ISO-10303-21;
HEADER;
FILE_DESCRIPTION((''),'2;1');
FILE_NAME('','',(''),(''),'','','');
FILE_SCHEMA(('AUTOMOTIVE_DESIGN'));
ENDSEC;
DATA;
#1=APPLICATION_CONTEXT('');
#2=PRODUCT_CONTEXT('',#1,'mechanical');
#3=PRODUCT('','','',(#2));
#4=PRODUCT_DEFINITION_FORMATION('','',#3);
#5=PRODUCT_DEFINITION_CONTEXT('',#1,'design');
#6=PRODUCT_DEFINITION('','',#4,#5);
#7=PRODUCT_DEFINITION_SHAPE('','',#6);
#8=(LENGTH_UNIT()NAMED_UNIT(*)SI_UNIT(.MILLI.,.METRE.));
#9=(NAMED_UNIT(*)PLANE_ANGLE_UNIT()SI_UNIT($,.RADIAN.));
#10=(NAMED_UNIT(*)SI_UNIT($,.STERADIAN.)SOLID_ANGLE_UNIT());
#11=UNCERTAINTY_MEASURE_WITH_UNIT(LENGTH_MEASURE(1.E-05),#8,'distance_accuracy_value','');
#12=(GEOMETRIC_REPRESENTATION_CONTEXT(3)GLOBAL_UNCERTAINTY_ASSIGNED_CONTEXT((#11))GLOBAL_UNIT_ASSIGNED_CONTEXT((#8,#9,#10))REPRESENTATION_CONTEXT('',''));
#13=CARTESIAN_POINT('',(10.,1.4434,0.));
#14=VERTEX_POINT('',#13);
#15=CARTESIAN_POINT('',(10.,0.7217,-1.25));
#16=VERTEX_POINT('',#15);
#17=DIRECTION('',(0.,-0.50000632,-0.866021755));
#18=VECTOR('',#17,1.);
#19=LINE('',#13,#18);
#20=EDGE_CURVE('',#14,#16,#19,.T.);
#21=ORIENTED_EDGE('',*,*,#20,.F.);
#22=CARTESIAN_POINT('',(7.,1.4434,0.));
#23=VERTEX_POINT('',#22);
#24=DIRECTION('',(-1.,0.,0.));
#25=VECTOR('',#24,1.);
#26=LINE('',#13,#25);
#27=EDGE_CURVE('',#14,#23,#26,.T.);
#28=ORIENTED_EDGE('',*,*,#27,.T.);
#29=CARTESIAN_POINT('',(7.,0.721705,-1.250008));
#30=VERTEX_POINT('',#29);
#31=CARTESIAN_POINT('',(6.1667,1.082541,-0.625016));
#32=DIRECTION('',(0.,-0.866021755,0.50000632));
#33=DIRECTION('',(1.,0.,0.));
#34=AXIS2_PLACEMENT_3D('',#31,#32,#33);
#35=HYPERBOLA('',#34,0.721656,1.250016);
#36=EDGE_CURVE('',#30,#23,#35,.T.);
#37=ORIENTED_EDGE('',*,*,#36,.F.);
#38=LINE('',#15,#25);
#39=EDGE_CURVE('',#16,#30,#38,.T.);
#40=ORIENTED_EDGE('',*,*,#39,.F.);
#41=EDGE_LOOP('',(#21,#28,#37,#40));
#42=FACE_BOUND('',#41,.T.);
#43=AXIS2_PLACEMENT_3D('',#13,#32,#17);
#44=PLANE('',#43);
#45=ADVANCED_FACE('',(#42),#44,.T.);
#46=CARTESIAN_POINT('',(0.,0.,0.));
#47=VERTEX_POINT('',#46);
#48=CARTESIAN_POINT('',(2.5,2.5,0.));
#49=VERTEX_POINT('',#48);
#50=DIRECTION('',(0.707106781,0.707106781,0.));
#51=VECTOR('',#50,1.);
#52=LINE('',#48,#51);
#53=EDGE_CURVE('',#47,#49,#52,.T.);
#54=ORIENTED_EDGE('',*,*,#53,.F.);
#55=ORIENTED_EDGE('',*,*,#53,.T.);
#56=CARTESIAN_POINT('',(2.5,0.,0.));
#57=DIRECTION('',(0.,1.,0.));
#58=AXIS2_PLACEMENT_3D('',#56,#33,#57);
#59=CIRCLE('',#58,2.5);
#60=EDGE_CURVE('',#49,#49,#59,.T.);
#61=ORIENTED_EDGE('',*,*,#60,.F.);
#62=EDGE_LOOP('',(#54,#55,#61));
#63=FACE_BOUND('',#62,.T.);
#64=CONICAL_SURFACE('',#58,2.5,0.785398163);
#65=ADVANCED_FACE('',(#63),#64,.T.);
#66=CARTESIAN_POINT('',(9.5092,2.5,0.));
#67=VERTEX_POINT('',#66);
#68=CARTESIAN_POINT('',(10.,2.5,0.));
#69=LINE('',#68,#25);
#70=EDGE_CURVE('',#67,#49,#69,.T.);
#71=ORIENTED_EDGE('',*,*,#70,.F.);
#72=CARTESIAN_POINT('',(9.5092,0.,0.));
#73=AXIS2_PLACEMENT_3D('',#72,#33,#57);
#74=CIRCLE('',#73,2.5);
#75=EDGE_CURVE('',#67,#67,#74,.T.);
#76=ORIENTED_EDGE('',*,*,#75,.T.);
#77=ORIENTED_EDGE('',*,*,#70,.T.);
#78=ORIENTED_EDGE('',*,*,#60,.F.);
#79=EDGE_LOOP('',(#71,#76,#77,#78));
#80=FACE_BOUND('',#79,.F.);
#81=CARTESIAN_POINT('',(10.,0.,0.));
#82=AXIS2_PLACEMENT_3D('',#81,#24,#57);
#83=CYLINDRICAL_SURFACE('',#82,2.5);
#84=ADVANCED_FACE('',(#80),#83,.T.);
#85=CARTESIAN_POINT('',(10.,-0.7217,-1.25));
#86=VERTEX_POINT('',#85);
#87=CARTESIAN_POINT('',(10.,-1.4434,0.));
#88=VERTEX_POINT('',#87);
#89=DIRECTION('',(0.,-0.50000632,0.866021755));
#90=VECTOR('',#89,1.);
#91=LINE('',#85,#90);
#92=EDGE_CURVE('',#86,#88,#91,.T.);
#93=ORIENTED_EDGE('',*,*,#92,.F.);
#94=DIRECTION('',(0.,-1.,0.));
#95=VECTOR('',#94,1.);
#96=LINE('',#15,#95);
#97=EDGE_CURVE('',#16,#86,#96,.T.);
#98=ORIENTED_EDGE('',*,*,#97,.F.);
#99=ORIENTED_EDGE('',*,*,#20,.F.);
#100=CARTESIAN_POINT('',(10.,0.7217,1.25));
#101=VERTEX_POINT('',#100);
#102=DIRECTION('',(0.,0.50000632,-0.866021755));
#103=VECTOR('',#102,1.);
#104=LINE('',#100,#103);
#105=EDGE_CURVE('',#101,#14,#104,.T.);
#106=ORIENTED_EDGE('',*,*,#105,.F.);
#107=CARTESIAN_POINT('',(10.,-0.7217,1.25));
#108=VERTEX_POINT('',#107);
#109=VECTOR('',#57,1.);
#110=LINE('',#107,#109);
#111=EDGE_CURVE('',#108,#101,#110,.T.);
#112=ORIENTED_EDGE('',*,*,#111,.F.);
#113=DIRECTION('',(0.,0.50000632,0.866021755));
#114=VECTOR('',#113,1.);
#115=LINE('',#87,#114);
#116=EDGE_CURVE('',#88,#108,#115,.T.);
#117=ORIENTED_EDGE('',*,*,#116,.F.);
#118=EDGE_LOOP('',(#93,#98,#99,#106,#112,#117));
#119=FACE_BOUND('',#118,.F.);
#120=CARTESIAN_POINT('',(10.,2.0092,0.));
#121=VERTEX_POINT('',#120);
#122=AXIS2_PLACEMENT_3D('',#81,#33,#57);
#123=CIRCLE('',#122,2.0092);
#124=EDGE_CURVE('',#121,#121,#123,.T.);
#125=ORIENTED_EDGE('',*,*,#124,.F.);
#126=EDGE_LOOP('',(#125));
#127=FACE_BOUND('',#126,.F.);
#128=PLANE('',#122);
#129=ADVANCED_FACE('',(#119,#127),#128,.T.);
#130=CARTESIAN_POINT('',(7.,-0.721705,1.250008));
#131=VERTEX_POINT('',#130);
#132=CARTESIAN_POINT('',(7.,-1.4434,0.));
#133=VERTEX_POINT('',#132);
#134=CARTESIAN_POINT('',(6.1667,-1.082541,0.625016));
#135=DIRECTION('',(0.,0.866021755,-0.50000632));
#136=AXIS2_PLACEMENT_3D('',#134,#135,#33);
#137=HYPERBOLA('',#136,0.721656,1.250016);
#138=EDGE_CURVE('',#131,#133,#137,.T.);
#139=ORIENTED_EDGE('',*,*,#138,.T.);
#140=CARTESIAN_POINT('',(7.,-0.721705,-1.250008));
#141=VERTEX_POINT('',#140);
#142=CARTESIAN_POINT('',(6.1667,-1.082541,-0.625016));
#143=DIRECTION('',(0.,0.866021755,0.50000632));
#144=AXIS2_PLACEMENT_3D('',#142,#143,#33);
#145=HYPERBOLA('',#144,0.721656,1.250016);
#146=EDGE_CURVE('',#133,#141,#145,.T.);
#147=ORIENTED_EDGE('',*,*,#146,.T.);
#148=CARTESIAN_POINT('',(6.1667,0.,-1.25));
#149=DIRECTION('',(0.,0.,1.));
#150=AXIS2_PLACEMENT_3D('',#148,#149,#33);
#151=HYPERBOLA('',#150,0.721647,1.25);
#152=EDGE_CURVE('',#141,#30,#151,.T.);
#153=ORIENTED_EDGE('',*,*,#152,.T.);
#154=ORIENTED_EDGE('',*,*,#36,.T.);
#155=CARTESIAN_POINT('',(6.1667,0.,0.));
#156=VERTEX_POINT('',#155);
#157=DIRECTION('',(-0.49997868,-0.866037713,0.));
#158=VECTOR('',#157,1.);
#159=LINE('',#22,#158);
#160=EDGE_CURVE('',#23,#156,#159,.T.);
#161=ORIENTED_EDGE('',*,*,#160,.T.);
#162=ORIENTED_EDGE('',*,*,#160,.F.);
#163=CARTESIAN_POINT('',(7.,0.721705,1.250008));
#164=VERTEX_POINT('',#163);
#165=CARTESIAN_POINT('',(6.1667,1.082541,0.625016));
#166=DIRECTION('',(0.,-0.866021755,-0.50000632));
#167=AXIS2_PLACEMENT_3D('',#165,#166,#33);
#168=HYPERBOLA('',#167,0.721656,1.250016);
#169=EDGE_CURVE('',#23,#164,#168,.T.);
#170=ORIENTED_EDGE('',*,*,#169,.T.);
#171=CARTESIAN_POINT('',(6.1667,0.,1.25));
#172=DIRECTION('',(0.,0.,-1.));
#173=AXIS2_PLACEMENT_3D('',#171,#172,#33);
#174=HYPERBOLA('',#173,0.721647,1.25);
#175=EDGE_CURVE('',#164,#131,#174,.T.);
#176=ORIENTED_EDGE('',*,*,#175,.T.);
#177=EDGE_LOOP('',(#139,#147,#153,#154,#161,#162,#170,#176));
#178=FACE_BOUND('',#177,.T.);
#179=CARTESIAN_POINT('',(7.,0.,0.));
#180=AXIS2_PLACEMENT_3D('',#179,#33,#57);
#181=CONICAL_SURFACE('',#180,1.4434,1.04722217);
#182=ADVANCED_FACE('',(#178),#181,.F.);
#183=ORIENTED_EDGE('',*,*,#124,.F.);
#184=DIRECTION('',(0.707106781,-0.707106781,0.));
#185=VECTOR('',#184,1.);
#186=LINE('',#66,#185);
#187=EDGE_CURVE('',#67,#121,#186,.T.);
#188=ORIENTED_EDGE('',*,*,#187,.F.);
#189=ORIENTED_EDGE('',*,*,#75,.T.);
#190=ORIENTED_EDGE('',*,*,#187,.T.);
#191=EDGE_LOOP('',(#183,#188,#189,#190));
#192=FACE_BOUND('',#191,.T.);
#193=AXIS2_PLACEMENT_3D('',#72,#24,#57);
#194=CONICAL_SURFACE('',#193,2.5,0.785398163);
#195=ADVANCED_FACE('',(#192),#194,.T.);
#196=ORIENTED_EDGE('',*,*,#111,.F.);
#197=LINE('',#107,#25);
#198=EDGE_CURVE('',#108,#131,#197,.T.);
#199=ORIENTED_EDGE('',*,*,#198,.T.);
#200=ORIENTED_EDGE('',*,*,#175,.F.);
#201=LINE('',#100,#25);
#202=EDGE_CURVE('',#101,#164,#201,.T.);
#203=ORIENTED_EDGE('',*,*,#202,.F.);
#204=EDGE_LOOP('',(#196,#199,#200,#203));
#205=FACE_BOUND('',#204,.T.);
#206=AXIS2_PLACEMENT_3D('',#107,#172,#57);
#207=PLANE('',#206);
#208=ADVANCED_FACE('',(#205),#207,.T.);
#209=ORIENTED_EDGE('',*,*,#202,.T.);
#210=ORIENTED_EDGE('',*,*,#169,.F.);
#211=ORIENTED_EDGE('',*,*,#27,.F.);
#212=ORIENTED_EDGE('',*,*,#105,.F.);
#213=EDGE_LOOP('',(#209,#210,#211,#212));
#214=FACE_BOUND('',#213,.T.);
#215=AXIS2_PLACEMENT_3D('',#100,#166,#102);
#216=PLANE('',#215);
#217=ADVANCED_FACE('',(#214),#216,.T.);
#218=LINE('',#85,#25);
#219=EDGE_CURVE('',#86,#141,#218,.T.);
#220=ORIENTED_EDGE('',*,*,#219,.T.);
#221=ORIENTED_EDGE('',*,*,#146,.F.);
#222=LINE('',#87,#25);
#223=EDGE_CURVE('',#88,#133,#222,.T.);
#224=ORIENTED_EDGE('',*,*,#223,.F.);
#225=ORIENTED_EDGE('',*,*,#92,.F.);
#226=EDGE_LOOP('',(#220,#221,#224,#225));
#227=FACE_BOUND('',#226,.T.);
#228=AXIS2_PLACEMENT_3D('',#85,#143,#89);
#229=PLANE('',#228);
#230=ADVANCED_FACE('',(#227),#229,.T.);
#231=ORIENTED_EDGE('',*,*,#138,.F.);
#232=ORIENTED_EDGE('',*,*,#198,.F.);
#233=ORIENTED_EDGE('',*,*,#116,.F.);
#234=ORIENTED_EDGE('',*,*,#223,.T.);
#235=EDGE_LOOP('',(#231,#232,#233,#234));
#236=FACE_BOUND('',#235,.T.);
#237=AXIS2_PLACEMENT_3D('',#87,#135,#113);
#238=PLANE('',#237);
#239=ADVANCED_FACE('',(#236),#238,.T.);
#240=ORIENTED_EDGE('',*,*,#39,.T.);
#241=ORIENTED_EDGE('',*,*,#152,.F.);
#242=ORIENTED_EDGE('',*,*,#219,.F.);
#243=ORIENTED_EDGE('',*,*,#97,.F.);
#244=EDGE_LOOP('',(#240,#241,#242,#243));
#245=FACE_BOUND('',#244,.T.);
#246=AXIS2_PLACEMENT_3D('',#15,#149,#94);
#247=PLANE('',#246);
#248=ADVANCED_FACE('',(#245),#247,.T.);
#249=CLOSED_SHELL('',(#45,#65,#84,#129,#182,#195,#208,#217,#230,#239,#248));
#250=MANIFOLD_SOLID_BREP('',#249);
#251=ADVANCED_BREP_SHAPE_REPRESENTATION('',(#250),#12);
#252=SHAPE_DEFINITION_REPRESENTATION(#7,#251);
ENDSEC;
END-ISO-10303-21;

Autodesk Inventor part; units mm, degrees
ref_plane "YZ Plane" through (0, 0, 0) normal (1, 0, 0) x (0, 1, 0)
ref_plane "XZ Plane" through (0, 0, 0) normal (0, 1, 0) x (-1, 0, 0)
sketch "Sketch1" plane through (0, 0, 0) normal (0, 0, 1) x (1, 0, 0)
  line L0 (0, 0) -> (6.1667, 0)
  line L1 (10, 1.4434) -> (10, 2.5)
  line L2 (10, 2.5) -> (0, 2.5)
  line L3 (10, 1.4434) -> (7, 1.4434)
  line L4 (7, 1.4434) -> (6.1667, 0)
  line L5 (0, -0.5) -> (0, 3) projected
  line L6 (0, 2.5) -> (0, 0)
  dimension "d0" = 3
  dimension "d1" = 60
  dimension "d2" = 5
  dimension "d3" = 2.8868
  dimension "d5" = 10
revolve "Body" add sketch "Sketch1" angle 360 about axis through (0, 0, 0) along (1, 0, 0)
sketch "Sketch2" plane through (10, 0, 0) normal (1, 0, 0) x (0, 1, 0)
  circle A0 centre (0, 0) radius 1.4434 projected
  line L0 (-0.7217, 1.25) -> (0.7217, 1.25)
  line L1 (0.7217, 1.25) -> (1.4434, 0)
  line L2 (1.4434, 0) -> (0.7217, -1.25)
  line L3 (0.7217, -1.25) -> (-0.7217, -1.25)
  line L4 (-0.7217, -1.25) -> (-1.4434, 0)
  line L5 (-1.4434, 0) -> (-0.7217, 1.25)
  point P0 (0, 0)
  point P1 (0, 0)
extrude "Slot" add sketch "Sketch2" against normal up to next contours L1 A0 | A0 L2 | L0 A0 | A0 L3 | L5 A0 | A0 L4
thread "Thread" size "M5x0.8" class "6g" standard "ISO Metric profile" length 10
chamfer "Chamfer1" distance 2.5 angle 45 1 edges at (0, -2.5, 0) measured on face at (6.6667, 2.4919, -0.2012)
chamfer "Chamfer2" distance 0.4908 angle 45 1 edges at (10, -2.5, 0) measured on face at (7.4998, 2.4676, -0.401)
ref_plane "Work Plane1" through (5, 0, 0) normal (0, 0, 1) x (1, 0, 0)
equation "\"d0\" = INTI"
equation "\"d2\" = NND"
equation "\"d3\" = 1.1547 * SW"
equation "\"d5\" = NLG"
equation "\"d12\" = NLG"
equation "\"d9\" = FAWI"
equation "\"d10\" = -0.5 * GD1 + 0.5 * NND"
equation "\"d11\" = FAWI"
equation "\"d35\" = -0.5 * GD1 + 0.5 * NND"
equation "\"NND\" = 5"
equation "\"NLG\" = 10"
equation "\"INTI\" = 3"
equation "\"FAWI\" = 45deg"
equation "\"SW\" = 2.5"
equation "\"GD1\" = THREADDIA - 1.2269 * PTC"
equation "\"FAWI1\" = 45deg"
equation "\"SPD\" = 0.00001"
equation "\"GUL\" = 0.61345 * PTC"
equation "\"TOA\" = 30deg"
equation "\"THREADDIA\" = 5"
equation "\"PTC\" = 0.8"
equation "\"GAL\" = 0.61345 * PTC"
equation "\"E0\" = 1.155 * SW"
properties part number "DIN 914 - M5 x 10" material "Steel, Mild"
